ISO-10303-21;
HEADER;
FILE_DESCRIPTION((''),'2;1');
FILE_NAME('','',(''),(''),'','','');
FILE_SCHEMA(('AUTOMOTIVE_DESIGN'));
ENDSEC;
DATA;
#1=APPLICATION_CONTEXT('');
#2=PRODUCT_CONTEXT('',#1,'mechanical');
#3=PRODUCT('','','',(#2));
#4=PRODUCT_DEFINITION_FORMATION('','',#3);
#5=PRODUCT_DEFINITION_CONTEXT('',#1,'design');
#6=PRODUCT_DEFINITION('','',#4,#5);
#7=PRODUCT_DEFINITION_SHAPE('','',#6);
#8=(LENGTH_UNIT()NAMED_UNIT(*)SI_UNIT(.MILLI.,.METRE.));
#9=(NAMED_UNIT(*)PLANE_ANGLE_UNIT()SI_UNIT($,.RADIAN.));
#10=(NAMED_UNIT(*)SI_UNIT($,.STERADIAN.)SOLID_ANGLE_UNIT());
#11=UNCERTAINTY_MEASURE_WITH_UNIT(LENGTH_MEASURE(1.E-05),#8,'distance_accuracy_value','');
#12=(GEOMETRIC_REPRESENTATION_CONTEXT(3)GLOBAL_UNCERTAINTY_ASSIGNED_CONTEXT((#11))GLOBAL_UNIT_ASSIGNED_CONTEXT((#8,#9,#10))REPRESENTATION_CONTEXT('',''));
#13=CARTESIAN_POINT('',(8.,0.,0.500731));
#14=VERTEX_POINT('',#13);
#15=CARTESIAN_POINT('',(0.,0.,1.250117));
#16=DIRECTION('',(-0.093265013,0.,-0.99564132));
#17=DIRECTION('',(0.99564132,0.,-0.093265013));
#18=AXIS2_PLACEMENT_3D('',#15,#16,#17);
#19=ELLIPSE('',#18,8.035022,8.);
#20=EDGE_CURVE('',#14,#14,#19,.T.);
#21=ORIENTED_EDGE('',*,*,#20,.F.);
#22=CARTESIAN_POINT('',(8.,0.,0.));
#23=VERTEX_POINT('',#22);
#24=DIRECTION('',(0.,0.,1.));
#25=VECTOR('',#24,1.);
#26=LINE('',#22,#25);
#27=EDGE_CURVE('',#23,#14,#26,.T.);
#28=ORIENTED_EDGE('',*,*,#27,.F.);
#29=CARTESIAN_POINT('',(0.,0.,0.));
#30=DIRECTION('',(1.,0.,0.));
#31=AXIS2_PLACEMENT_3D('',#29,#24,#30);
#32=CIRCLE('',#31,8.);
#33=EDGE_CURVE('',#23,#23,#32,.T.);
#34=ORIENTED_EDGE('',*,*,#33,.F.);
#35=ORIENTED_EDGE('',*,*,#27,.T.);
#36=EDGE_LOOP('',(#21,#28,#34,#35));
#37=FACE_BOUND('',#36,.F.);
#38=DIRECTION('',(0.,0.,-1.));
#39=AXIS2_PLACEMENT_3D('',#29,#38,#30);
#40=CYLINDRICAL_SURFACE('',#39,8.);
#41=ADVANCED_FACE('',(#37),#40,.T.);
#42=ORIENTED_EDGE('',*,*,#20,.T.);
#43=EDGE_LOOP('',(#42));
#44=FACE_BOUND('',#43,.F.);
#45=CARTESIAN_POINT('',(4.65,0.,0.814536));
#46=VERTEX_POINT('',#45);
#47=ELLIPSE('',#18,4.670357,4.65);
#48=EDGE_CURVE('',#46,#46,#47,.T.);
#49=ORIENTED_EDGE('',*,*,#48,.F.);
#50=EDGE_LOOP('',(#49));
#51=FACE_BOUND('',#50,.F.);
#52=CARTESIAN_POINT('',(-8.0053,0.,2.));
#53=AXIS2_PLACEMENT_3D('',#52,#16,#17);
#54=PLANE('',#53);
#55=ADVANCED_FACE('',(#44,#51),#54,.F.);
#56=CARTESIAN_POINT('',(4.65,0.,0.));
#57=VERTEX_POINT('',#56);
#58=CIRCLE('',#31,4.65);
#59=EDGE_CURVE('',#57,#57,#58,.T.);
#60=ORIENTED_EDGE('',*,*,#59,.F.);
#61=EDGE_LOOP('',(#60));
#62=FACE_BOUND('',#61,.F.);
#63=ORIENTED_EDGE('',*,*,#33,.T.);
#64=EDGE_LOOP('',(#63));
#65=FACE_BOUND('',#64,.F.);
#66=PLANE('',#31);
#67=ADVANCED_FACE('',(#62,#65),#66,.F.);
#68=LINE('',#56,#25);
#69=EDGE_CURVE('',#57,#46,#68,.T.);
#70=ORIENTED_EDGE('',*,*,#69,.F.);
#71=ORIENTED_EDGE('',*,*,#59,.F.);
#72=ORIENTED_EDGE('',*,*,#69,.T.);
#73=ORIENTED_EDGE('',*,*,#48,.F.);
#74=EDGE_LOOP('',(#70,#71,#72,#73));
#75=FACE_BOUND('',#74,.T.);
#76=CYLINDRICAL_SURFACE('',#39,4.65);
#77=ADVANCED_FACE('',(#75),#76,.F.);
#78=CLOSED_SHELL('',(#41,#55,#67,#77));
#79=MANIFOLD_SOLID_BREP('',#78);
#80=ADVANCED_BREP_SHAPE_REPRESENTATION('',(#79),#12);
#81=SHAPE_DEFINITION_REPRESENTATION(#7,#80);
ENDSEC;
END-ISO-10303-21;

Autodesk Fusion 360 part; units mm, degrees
sketch "Esquisse1" plane through (0, 0, 0) normal (0, 0, 1) x (1, 0, 0)
  circle A0 centre (0, 0) radius 4.65
  circle A1 centre (0, 0) radius 8
  dimension "d1" = 9.3
  dimension "d2" = 16
extrude "Extrusion1" add sketch "Esquisse1" along normal blind 2
sketch "Esquisse2" plane through (0, 0, 0) normal (0, 1, 0) x (1, 0, 0)
  line L0 (-8.0053, -2) -> (8.0078, -0.5)
  line L1 (8.0078, -0.5) -> (8.0078, -2)
  line L2 (8.0078, -2) -> (-8.0053, -2)
  dimension "d5" = 1.5
extrude "Extrusion2" cut sketch "Esquisse2" along normal mid plane 20
